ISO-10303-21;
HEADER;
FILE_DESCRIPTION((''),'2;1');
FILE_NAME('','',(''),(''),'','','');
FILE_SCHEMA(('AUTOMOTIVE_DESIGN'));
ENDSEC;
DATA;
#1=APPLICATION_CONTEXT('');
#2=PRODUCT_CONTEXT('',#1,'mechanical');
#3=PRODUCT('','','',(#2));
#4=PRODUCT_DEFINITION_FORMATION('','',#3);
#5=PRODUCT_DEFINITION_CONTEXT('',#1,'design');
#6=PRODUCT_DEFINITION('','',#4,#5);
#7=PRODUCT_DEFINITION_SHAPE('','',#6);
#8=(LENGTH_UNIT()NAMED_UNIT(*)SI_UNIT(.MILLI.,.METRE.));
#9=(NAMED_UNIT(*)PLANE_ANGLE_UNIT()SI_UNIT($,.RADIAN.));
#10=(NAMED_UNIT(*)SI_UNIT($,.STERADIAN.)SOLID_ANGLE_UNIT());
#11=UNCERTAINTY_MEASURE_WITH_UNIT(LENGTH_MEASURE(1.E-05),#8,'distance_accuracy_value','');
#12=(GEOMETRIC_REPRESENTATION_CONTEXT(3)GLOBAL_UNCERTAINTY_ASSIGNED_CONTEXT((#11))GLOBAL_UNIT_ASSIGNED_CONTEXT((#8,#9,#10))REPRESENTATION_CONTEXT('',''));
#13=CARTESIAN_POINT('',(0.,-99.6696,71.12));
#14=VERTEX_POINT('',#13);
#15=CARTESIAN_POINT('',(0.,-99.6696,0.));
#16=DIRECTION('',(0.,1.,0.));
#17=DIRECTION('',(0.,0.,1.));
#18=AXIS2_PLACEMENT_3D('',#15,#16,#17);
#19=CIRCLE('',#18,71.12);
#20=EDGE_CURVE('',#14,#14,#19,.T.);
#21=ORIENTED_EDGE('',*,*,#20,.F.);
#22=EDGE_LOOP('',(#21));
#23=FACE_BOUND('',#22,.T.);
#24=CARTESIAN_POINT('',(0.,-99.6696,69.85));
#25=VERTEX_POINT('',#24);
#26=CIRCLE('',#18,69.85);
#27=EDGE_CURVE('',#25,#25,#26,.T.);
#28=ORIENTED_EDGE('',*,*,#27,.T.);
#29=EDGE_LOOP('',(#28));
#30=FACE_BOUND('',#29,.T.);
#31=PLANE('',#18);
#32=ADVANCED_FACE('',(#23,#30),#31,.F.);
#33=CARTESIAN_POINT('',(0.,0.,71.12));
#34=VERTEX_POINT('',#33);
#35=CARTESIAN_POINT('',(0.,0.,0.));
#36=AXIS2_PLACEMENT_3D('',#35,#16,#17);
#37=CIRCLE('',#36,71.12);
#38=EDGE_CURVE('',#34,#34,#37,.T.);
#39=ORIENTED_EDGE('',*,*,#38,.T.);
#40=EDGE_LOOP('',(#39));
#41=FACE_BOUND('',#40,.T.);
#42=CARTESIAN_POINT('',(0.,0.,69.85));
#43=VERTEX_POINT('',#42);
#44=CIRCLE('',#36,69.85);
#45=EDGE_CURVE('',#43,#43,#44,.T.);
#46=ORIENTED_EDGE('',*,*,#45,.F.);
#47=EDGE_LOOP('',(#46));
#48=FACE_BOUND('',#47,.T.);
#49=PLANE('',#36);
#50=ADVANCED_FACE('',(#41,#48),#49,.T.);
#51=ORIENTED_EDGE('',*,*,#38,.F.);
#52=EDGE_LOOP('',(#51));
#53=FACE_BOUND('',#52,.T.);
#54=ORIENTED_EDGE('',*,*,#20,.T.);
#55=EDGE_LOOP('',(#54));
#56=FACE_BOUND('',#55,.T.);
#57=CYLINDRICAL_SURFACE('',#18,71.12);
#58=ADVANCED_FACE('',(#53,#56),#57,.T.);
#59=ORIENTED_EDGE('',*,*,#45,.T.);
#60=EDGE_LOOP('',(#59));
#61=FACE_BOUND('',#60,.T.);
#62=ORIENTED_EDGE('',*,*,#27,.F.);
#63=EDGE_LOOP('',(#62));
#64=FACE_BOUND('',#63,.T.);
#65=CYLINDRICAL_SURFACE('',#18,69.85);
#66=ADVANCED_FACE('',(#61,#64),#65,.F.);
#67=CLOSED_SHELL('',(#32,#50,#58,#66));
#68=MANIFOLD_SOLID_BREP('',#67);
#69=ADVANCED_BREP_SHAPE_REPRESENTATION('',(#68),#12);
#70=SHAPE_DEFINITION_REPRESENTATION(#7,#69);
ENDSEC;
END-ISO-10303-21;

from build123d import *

# Parameters (mm, degrees)
SKETCH2_R      = 71.12
SKETCH2_R_2    = 69.85
EXTRUDE1_DEPTH = 99.6696


with BuildPart() as part:
    # Sketch2 → Extrude1 (new body)
    with BuildSketch(Plane(origin=(0, 0, 0), x_dir=(1, 0, 0), z_dir=(0, 1, 0))):
        with Locations(Location((0, 0, 0), (0, 0, 270))):
            Circle(SKETCH2_R)
        with Locations(Location((0, 0, 0), (0, 0, 270))):
            Circle(SKETCH2_R_2, mode=Mode.SUBTRACT)
    extrude(amount=-EXTRUDE1_DEPTH)


solid = part.part
